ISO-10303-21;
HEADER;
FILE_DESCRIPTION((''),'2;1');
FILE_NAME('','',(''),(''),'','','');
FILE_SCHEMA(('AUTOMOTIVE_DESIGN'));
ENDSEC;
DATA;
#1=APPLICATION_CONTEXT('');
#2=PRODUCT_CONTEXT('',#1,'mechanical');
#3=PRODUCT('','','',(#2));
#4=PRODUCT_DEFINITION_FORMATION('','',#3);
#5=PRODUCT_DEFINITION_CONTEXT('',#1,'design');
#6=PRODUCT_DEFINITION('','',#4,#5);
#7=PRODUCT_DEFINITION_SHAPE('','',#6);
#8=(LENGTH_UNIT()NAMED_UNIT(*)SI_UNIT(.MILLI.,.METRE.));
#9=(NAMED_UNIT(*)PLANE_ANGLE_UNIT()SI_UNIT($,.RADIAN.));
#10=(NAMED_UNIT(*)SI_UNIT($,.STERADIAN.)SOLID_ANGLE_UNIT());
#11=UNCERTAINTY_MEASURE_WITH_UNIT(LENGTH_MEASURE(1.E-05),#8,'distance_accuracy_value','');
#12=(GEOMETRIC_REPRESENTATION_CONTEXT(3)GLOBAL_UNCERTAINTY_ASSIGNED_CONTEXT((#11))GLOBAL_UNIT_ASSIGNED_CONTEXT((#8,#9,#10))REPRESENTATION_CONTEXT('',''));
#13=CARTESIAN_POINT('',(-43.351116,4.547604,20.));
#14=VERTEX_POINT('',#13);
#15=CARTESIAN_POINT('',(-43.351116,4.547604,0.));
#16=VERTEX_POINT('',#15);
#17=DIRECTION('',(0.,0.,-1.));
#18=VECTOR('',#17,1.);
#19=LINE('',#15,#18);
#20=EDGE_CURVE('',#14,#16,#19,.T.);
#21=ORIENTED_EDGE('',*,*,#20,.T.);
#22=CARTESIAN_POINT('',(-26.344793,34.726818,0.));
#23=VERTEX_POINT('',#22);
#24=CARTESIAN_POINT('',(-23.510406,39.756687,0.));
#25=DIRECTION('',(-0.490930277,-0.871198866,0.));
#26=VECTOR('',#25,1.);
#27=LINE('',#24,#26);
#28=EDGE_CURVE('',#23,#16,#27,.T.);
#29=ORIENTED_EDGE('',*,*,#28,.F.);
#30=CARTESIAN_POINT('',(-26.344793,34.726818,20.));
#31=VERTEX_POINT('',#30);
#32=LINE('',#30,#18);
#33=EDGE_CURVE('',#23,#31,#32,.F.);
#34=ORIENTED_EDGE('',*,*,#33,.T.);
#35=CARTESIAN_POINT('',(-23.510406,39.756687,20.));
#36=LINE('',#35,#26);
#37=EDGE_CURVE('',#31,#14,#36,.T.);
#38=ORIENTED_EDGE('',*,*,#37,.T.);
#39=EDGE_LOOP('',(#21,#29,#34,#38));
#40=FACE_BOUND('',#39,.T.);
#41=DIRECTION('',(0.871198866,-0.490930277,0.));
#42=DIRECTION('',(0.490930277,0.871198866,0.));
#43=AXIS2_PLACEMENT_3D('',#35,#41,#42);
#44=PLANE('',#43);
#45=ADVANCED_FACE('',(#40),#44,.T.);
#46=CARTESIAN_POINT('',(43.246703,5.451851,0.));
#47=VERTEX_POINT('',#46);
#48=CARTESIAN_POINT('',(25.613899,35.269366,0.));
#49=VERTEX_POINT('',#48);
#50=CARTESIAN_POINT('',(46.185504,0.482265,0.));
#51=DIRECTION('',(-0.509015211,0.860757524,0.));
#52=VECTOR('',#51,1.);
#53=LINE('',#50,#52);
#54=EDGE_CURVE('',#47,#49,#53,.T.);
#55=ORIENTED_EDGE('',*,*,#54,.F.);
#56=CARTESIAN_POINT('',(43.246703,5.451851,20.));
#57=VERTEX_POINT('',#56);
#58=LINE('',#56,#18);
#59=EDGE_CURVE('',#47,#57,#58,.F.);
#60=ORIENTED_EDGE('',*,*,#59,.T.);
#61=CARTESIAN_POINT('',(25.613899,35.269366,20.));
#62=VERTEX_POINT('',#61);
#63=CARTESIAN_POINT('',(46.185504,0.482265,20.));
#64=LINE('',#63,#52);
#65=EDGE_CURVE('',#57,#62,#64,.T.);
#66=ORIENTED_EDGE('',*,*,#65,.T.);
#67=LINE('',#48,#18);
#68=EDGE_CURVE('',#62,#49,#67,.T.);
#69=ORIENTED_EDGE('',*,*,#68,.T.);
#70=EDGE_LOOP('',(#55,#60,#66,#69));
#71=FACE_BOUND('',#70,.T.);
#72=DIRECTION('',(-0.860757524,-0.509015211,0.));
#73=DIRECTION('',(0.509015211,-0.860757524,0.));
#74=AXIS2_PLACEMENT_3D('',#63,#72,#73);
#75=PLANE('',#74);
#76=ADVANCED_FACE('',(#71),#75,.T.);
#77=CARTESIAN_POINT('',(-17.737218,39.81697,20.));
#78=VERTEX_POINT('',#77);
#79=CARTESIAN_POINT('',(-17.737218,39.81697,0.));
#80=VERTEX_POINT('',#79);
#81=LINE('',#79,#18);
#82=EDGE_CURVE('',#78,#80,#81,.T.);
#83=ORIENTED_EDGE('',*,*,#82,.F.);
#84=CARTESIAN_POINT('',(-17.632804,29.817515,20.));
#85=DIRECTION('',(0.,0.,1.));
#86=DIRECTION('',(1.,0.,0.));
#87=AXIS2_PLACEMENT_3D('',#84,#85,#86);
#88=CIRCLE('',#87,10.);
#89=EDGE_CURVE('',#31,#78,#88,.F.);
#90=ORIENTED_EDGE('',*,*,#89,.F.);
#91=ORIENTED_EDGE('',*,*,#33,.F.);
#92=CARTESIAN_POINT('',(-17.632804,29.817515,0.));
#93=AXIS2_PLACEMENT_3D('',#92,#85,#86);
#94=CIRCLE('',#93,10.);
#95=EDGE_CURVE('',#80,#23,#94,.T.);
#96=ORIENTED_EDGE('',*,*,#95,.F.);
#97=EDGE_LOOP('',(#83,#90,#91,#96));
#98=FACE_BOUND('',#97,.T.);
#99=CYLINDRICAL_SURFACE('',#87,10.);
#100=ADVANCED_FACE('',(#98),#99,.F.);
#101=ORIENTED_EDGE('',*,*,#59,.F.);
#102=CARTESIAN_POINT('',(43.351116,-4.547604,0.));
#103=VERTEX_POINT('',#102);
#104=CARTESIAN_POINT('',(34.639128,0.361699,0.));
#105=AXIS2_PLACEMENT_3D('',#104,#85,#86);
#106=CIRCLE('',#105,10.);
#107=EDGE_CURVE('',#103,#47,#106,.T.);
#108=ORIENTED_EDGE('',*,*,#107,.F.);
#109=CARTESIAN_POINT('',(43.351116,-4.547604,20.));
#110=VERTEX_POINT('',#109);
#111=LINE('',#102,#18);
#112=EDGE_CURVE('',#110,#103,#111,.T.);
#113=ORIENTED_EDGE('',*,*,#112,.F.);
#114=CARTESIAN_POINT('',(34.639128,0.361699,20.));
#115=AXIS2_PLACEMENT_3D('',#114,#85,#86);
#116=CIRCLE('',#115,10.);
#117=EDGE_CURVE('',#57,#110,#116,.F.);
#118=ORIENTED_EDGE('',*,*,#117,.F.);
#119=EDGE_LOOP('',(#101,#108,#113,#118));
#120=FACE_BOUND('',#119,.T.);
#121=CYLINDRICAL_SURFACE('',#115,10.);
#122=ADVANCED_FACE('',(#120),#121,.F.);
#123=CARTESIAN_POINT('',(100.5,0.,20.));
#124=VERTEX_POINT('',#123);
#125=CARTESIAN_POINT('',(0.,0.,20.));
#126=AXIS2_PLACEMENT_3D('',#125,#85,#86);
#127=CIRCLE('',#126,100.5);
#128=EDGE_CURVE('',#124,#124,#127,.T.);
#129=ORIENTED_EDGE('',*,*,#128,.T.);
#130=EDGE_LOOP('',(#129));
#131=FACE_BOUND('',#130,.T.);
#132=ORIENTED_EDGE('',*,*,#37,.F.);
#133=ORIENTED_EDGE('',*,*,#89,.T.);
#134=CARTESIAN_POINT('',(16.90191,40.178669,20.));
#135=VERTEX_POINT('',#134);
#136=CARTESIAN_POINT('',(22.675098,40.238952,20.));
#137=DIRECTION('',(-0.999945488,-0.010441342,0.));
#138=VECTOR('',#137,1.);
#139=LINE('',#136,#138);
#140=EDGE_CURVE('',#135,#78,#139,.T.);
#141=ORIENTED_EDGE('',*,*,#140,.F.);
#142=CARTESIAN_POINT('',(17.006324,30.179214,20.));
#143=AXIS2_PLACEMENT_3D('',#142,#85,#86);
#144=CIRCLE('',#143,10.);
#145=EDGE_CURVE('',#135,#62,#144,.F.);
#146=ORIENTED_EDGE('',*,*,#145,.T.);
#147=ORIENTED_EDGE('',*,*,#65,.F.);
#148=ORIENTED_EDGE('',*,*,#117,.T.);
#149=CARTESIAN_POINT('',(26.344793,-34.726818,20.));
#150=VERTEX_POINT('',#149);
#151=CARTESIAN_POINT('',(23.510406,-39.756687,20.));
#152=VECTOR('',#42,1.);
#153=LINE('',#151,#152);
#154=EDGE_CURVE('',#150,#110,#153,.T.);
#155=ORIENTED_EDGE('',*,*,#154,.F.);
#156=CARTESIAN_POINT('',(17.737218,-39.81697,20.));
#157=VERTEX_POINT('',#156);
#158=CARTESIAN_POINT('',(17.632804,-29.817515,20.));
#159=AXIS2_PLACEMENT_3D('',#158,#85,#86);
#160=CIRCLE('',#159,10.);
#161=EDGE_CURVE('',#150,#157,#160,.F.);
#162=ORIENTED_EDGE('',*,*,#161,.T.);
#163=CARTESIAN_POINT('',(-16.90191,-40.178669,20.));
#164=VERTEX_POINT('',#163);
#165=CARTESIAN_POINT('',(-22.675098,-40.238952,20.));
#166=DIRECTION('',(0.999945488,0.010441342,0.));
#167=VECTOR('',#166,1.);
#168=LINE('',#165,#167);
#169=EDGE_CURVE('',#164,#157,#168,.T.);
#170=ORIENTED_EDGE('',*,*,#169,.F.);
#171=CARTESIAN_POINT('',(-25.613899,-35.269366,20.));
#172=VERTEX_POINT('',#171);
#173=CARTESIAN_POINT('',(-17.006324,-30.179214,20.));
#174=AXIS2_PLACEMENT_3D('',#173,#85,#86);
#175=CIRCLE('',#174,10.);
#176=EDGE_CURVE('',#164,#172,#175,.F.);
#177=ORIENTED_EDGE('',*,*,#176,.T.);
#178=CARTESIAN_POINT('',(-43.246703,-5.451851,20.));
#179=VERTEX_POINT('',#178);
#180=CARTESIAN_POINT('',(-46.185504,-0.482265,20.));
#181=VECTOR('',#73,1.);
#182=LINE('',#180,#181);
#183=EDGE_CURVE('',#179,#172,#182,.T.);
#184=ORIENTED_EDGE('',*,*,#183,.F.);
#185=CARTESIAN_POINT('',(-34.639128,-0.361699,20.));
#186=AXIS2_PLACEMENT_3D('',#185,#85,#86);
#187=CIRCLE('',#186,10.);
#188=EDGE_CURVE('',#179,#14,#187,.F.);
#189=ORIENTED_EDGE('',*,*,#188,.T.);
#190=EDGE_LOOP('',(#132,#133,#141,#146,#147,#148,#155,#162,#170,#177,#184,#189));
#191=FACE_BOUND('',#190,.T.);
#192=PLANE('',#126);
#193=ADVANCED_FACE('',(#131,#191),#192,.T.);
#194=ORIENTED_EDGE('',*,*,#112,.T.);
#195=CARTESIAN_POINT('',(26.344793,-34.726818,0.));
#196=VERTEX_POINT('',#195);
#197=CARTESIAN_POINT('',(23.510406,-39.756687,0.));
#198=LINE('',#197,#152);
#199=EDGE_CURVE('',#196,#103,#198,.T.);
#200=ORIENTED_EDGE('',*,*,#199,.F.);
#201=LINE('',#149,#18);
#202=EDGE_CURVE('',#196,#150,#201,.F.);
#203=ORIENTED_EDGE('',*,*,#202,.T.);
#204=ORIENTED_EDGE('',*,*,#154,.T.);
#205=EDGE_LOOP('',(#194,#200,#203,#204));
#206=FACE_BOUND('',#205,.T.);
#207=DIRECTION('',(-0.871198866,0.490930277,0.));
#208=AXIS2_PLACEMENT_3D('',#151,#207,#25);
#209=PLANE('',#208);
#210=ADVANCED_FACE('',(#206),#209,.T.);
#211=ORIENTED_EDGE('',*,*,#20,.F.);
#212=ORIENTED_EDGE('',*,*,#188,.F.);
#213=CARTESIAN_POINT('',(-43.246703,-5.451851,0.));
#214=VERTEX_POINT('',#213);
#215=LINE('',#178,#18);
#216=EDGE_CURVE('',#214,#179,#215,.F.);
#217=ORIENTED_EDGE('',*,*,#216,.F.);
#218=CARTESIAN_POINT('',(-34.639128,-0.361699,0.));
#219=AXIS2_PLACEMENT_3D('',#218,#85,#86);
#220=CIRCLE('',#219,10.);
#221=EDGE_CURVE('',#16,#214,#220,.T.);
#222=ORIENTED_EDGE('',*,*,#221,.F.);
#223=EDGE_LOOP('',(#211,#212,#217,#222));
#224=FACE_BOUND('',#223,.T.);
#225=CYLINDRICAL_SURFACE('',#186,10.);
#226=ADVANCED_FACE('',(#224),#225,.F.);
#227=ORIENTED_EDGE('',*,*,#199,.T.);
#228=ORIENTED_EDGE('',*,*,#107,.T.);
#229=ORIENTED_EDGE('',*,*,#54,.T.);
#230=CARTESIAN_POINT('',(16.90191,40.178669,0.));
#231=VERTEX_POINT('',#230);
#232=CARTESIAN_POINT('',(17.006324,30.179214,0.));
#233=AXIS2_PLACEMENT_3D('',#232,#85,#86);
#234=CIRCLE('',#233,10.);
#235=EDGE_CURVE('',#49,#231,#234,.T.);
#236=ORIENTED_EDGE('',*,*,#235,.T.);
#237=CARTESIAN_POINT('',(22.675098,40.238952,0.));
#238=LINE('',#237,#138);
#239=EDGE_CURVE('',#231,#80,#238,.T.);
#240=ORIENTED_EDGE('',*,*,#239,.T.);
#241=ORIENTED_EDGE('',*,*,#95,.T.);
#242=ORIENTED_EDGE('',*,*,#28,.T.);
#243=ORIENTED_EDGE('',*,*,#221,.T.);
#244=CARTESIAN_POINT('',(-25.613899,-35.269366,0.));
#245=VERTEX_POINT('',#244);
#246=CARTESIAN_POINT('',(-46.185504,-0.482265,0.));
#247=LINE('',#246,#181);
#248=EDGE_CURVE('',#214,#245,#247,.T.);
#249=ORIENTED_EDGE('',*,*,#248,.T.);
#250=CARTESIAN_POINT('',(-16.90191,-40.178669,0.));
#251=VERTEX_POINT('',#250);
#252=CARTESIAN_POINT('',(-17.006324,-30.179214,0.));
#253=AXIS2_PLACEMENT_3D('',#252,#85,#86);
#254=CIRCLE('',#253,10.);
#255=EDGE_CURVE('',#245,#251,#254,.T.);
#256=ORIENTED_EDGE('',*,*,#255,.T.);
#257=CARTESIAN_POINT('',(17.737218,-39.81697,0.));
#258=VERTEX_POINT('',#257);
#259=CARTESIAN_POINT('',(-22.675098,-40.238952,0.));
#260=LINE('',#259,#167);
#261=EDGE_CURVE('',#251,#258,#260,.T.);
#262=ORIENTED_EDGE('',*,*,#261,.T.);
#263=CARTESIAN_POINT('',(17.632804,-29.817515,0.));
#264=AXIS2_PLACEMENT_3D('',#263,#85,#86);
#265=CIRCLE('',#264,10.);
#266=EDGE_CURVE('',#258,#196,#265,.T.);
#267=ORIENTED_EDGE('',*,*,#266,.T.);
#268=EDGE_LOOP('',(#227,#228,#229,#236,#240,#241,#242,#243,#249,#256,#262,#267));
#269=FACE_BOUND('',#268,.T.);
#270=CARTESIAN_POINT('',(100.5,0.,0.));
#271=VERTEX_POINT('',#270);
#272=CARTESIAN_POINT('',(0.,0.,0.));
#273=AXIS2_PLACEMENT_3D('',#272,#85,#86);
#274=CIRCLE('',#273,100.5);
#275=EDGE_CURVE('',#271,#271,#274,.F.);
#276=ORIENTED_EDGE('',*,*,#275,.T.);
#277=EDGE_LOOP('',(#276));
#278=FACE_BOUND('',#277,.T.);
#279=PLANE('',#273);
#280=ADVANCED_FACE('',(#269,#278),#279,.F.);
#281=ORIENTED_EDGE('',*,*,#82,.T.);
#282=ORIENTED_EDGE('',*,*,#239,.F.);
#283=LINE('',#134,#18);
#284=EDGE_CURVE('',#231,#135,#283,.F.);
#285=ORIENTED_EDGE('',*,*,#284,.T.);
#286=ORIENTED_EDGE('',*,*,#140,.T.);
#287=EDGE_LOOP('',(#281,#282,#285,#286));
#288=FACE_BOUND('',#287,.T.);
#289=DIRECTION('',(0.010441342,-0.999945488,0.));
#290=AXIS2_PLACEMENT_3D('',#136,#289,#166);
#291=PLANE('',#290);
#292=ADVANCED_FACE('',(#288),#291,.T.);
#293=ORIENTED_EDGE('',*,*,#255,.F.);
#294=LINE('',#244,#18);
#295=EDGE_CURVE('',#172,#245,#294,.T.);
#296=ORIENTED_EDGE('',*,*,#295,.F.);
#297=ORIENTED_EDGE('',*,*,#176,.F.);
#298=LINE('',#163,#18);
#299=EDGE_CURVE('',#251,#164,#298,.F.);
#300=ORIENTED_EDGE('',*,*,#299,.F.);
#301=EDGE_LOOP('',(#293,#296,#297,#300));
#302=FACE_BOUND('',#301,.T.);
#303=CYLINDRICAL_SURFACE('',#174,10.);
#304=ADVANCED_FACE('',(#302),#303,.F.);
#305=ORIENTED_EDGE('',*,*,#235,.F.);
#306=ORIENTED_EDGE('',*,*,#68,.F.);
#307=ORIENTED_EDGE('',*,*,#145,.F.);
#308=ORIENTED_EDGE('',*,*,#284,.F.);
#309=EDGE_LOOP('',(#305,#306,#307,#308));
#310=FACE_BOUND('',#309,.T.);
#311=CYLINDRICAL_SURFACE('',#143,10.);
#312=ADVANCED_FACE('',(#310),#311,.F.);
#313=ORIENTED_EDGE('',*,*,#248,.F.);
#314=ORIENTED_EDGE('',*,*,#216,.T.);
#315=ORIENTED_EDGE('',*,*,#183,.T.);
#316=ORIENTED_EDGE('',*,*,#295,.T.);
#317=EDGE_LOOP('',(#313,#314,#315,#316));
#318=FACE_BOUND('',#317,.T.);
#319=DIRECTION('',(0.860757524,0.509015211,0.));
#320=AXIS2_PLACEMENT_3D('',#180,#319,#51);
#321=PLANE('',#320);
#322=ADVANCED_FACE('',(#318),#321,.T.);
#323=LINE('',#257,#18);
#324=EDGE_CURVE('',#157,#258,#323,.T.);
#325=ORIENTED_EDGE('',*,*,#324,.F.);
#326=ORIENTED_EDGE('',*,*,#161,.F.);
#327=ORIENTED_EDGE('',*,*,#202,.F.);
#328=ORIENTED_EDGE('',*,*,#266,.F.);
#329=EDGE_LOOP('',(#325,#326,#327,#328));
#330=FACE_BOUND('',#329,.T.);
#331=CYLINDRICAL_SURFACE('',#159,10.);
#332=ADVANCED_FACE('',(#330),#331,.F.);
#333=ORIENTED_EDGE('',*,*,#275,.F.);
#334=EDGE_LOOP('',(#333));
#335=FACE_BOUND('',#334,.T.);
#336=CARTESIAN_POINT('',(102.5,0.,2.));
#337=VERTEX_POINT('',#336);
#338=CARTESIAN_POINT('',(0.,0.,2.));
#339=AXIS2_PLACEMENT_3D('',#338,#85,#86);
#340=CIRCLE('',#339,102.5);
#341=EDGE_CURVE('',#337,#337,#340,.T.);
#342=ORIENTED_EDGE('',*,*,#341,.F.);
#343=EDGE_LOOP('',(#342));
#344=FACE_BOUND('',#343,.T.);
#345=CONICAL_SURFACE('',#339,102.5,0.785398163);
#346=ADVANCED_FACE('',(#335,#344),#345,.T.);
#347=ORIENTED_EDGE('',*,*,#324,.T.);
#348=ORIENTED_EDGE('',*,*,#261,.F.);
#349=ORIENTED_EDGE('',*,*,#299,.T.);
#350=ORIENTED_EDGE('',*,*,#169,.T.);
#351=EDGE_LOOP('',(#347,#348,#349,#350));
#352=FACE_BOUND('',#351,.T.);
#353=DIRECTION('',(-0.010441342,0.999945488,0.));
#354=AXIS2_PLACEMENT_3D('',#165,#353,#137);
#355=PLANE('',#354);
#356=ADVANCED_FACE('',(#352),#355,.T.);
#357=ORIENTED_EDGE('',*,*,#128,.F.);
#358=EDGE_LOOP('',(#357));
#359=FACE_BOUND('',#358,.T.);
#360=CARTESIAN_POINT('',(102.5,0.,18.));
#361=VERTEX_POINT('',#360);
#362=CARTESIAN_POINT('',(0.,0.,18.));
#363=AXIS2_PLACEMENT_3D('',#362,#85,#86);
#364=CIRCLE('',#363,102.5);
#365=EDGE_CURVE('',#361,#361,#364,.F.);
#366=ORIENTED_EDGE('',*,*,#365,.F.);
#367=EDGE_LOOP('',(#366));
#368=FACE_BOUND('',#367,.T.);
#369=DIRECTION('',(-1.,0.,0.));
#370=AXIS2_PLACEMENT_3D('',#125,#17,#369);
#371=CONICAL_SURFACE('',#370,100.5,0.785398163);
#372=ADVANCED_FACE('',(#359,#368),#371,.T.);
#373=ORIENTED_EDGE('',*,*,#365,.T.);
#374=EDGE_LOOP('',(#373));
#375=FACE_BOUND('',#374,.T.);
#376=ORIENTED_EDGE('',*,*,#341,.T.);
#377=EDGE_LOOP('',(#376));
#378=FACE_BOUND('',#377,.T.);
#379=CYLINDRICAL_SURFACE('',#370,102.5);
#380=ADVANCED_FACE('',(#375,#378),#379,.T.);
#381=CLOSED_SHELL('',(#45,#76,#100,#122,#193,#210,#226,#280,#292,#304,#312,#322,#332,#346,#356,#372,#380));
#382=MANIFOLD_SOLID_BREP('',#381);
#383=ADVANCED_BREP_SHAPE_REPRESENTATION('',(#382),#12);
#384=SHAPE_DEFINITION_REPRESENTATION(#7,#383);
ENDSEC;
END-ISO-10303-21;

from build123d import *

# Parameters (mm, degrees)
SKETCH1_R           = 102.5
BOSS_EXTRUDE1_DEPTH = 20
FILLET1_R           = 10
CHAMFER1_SIZE       = 2


with BuildPart() as part:
    # Sketch1 → Boss-Extrude1 (new body)
    with BuildSketch(Plane.XY):
        Circle(SKETCH1_R)
        Polygon((23.510405521, -39.756687055), (46.18550372, 0.482264907), (22.6750982, 40.238951962), (-23.510405521, 39.756687055), (-46.18550372, -0.482264907), (-22.6750982, -40.238951962), align=None, mode=Mode.SUBTRACT)
    extrude(amount=BOSS_EXTRUDE1_DEPTH)

    # Fillet1
    fillet1_edges = [part.edges().sort_by_distance(p)[0] for p in [
        (23.510405521, -39.756687055, 10),
        (46.18550372, 0.482264907, 10),
        (22.6750982, 40.238951962, 10),
        (-23.510405521, 39.756687055, 10),
        (-46.18550372, -0.482264907, 10),
        (-22.6750982, -40.238951962, 10),
    ]]
    fillet(fillet1_edges, radius=FILLET1_R)

    # Chamfer1
    chamfer1_edges = [part.edges().sort_by_distance(p)[0] for p in [
        (-102.5, 0, 0),
        (-102.5, 0, 20),
    ]]
    chamfer(chamfer1_edges, length=CHAMFER1_SIZE)


solid = part.part
